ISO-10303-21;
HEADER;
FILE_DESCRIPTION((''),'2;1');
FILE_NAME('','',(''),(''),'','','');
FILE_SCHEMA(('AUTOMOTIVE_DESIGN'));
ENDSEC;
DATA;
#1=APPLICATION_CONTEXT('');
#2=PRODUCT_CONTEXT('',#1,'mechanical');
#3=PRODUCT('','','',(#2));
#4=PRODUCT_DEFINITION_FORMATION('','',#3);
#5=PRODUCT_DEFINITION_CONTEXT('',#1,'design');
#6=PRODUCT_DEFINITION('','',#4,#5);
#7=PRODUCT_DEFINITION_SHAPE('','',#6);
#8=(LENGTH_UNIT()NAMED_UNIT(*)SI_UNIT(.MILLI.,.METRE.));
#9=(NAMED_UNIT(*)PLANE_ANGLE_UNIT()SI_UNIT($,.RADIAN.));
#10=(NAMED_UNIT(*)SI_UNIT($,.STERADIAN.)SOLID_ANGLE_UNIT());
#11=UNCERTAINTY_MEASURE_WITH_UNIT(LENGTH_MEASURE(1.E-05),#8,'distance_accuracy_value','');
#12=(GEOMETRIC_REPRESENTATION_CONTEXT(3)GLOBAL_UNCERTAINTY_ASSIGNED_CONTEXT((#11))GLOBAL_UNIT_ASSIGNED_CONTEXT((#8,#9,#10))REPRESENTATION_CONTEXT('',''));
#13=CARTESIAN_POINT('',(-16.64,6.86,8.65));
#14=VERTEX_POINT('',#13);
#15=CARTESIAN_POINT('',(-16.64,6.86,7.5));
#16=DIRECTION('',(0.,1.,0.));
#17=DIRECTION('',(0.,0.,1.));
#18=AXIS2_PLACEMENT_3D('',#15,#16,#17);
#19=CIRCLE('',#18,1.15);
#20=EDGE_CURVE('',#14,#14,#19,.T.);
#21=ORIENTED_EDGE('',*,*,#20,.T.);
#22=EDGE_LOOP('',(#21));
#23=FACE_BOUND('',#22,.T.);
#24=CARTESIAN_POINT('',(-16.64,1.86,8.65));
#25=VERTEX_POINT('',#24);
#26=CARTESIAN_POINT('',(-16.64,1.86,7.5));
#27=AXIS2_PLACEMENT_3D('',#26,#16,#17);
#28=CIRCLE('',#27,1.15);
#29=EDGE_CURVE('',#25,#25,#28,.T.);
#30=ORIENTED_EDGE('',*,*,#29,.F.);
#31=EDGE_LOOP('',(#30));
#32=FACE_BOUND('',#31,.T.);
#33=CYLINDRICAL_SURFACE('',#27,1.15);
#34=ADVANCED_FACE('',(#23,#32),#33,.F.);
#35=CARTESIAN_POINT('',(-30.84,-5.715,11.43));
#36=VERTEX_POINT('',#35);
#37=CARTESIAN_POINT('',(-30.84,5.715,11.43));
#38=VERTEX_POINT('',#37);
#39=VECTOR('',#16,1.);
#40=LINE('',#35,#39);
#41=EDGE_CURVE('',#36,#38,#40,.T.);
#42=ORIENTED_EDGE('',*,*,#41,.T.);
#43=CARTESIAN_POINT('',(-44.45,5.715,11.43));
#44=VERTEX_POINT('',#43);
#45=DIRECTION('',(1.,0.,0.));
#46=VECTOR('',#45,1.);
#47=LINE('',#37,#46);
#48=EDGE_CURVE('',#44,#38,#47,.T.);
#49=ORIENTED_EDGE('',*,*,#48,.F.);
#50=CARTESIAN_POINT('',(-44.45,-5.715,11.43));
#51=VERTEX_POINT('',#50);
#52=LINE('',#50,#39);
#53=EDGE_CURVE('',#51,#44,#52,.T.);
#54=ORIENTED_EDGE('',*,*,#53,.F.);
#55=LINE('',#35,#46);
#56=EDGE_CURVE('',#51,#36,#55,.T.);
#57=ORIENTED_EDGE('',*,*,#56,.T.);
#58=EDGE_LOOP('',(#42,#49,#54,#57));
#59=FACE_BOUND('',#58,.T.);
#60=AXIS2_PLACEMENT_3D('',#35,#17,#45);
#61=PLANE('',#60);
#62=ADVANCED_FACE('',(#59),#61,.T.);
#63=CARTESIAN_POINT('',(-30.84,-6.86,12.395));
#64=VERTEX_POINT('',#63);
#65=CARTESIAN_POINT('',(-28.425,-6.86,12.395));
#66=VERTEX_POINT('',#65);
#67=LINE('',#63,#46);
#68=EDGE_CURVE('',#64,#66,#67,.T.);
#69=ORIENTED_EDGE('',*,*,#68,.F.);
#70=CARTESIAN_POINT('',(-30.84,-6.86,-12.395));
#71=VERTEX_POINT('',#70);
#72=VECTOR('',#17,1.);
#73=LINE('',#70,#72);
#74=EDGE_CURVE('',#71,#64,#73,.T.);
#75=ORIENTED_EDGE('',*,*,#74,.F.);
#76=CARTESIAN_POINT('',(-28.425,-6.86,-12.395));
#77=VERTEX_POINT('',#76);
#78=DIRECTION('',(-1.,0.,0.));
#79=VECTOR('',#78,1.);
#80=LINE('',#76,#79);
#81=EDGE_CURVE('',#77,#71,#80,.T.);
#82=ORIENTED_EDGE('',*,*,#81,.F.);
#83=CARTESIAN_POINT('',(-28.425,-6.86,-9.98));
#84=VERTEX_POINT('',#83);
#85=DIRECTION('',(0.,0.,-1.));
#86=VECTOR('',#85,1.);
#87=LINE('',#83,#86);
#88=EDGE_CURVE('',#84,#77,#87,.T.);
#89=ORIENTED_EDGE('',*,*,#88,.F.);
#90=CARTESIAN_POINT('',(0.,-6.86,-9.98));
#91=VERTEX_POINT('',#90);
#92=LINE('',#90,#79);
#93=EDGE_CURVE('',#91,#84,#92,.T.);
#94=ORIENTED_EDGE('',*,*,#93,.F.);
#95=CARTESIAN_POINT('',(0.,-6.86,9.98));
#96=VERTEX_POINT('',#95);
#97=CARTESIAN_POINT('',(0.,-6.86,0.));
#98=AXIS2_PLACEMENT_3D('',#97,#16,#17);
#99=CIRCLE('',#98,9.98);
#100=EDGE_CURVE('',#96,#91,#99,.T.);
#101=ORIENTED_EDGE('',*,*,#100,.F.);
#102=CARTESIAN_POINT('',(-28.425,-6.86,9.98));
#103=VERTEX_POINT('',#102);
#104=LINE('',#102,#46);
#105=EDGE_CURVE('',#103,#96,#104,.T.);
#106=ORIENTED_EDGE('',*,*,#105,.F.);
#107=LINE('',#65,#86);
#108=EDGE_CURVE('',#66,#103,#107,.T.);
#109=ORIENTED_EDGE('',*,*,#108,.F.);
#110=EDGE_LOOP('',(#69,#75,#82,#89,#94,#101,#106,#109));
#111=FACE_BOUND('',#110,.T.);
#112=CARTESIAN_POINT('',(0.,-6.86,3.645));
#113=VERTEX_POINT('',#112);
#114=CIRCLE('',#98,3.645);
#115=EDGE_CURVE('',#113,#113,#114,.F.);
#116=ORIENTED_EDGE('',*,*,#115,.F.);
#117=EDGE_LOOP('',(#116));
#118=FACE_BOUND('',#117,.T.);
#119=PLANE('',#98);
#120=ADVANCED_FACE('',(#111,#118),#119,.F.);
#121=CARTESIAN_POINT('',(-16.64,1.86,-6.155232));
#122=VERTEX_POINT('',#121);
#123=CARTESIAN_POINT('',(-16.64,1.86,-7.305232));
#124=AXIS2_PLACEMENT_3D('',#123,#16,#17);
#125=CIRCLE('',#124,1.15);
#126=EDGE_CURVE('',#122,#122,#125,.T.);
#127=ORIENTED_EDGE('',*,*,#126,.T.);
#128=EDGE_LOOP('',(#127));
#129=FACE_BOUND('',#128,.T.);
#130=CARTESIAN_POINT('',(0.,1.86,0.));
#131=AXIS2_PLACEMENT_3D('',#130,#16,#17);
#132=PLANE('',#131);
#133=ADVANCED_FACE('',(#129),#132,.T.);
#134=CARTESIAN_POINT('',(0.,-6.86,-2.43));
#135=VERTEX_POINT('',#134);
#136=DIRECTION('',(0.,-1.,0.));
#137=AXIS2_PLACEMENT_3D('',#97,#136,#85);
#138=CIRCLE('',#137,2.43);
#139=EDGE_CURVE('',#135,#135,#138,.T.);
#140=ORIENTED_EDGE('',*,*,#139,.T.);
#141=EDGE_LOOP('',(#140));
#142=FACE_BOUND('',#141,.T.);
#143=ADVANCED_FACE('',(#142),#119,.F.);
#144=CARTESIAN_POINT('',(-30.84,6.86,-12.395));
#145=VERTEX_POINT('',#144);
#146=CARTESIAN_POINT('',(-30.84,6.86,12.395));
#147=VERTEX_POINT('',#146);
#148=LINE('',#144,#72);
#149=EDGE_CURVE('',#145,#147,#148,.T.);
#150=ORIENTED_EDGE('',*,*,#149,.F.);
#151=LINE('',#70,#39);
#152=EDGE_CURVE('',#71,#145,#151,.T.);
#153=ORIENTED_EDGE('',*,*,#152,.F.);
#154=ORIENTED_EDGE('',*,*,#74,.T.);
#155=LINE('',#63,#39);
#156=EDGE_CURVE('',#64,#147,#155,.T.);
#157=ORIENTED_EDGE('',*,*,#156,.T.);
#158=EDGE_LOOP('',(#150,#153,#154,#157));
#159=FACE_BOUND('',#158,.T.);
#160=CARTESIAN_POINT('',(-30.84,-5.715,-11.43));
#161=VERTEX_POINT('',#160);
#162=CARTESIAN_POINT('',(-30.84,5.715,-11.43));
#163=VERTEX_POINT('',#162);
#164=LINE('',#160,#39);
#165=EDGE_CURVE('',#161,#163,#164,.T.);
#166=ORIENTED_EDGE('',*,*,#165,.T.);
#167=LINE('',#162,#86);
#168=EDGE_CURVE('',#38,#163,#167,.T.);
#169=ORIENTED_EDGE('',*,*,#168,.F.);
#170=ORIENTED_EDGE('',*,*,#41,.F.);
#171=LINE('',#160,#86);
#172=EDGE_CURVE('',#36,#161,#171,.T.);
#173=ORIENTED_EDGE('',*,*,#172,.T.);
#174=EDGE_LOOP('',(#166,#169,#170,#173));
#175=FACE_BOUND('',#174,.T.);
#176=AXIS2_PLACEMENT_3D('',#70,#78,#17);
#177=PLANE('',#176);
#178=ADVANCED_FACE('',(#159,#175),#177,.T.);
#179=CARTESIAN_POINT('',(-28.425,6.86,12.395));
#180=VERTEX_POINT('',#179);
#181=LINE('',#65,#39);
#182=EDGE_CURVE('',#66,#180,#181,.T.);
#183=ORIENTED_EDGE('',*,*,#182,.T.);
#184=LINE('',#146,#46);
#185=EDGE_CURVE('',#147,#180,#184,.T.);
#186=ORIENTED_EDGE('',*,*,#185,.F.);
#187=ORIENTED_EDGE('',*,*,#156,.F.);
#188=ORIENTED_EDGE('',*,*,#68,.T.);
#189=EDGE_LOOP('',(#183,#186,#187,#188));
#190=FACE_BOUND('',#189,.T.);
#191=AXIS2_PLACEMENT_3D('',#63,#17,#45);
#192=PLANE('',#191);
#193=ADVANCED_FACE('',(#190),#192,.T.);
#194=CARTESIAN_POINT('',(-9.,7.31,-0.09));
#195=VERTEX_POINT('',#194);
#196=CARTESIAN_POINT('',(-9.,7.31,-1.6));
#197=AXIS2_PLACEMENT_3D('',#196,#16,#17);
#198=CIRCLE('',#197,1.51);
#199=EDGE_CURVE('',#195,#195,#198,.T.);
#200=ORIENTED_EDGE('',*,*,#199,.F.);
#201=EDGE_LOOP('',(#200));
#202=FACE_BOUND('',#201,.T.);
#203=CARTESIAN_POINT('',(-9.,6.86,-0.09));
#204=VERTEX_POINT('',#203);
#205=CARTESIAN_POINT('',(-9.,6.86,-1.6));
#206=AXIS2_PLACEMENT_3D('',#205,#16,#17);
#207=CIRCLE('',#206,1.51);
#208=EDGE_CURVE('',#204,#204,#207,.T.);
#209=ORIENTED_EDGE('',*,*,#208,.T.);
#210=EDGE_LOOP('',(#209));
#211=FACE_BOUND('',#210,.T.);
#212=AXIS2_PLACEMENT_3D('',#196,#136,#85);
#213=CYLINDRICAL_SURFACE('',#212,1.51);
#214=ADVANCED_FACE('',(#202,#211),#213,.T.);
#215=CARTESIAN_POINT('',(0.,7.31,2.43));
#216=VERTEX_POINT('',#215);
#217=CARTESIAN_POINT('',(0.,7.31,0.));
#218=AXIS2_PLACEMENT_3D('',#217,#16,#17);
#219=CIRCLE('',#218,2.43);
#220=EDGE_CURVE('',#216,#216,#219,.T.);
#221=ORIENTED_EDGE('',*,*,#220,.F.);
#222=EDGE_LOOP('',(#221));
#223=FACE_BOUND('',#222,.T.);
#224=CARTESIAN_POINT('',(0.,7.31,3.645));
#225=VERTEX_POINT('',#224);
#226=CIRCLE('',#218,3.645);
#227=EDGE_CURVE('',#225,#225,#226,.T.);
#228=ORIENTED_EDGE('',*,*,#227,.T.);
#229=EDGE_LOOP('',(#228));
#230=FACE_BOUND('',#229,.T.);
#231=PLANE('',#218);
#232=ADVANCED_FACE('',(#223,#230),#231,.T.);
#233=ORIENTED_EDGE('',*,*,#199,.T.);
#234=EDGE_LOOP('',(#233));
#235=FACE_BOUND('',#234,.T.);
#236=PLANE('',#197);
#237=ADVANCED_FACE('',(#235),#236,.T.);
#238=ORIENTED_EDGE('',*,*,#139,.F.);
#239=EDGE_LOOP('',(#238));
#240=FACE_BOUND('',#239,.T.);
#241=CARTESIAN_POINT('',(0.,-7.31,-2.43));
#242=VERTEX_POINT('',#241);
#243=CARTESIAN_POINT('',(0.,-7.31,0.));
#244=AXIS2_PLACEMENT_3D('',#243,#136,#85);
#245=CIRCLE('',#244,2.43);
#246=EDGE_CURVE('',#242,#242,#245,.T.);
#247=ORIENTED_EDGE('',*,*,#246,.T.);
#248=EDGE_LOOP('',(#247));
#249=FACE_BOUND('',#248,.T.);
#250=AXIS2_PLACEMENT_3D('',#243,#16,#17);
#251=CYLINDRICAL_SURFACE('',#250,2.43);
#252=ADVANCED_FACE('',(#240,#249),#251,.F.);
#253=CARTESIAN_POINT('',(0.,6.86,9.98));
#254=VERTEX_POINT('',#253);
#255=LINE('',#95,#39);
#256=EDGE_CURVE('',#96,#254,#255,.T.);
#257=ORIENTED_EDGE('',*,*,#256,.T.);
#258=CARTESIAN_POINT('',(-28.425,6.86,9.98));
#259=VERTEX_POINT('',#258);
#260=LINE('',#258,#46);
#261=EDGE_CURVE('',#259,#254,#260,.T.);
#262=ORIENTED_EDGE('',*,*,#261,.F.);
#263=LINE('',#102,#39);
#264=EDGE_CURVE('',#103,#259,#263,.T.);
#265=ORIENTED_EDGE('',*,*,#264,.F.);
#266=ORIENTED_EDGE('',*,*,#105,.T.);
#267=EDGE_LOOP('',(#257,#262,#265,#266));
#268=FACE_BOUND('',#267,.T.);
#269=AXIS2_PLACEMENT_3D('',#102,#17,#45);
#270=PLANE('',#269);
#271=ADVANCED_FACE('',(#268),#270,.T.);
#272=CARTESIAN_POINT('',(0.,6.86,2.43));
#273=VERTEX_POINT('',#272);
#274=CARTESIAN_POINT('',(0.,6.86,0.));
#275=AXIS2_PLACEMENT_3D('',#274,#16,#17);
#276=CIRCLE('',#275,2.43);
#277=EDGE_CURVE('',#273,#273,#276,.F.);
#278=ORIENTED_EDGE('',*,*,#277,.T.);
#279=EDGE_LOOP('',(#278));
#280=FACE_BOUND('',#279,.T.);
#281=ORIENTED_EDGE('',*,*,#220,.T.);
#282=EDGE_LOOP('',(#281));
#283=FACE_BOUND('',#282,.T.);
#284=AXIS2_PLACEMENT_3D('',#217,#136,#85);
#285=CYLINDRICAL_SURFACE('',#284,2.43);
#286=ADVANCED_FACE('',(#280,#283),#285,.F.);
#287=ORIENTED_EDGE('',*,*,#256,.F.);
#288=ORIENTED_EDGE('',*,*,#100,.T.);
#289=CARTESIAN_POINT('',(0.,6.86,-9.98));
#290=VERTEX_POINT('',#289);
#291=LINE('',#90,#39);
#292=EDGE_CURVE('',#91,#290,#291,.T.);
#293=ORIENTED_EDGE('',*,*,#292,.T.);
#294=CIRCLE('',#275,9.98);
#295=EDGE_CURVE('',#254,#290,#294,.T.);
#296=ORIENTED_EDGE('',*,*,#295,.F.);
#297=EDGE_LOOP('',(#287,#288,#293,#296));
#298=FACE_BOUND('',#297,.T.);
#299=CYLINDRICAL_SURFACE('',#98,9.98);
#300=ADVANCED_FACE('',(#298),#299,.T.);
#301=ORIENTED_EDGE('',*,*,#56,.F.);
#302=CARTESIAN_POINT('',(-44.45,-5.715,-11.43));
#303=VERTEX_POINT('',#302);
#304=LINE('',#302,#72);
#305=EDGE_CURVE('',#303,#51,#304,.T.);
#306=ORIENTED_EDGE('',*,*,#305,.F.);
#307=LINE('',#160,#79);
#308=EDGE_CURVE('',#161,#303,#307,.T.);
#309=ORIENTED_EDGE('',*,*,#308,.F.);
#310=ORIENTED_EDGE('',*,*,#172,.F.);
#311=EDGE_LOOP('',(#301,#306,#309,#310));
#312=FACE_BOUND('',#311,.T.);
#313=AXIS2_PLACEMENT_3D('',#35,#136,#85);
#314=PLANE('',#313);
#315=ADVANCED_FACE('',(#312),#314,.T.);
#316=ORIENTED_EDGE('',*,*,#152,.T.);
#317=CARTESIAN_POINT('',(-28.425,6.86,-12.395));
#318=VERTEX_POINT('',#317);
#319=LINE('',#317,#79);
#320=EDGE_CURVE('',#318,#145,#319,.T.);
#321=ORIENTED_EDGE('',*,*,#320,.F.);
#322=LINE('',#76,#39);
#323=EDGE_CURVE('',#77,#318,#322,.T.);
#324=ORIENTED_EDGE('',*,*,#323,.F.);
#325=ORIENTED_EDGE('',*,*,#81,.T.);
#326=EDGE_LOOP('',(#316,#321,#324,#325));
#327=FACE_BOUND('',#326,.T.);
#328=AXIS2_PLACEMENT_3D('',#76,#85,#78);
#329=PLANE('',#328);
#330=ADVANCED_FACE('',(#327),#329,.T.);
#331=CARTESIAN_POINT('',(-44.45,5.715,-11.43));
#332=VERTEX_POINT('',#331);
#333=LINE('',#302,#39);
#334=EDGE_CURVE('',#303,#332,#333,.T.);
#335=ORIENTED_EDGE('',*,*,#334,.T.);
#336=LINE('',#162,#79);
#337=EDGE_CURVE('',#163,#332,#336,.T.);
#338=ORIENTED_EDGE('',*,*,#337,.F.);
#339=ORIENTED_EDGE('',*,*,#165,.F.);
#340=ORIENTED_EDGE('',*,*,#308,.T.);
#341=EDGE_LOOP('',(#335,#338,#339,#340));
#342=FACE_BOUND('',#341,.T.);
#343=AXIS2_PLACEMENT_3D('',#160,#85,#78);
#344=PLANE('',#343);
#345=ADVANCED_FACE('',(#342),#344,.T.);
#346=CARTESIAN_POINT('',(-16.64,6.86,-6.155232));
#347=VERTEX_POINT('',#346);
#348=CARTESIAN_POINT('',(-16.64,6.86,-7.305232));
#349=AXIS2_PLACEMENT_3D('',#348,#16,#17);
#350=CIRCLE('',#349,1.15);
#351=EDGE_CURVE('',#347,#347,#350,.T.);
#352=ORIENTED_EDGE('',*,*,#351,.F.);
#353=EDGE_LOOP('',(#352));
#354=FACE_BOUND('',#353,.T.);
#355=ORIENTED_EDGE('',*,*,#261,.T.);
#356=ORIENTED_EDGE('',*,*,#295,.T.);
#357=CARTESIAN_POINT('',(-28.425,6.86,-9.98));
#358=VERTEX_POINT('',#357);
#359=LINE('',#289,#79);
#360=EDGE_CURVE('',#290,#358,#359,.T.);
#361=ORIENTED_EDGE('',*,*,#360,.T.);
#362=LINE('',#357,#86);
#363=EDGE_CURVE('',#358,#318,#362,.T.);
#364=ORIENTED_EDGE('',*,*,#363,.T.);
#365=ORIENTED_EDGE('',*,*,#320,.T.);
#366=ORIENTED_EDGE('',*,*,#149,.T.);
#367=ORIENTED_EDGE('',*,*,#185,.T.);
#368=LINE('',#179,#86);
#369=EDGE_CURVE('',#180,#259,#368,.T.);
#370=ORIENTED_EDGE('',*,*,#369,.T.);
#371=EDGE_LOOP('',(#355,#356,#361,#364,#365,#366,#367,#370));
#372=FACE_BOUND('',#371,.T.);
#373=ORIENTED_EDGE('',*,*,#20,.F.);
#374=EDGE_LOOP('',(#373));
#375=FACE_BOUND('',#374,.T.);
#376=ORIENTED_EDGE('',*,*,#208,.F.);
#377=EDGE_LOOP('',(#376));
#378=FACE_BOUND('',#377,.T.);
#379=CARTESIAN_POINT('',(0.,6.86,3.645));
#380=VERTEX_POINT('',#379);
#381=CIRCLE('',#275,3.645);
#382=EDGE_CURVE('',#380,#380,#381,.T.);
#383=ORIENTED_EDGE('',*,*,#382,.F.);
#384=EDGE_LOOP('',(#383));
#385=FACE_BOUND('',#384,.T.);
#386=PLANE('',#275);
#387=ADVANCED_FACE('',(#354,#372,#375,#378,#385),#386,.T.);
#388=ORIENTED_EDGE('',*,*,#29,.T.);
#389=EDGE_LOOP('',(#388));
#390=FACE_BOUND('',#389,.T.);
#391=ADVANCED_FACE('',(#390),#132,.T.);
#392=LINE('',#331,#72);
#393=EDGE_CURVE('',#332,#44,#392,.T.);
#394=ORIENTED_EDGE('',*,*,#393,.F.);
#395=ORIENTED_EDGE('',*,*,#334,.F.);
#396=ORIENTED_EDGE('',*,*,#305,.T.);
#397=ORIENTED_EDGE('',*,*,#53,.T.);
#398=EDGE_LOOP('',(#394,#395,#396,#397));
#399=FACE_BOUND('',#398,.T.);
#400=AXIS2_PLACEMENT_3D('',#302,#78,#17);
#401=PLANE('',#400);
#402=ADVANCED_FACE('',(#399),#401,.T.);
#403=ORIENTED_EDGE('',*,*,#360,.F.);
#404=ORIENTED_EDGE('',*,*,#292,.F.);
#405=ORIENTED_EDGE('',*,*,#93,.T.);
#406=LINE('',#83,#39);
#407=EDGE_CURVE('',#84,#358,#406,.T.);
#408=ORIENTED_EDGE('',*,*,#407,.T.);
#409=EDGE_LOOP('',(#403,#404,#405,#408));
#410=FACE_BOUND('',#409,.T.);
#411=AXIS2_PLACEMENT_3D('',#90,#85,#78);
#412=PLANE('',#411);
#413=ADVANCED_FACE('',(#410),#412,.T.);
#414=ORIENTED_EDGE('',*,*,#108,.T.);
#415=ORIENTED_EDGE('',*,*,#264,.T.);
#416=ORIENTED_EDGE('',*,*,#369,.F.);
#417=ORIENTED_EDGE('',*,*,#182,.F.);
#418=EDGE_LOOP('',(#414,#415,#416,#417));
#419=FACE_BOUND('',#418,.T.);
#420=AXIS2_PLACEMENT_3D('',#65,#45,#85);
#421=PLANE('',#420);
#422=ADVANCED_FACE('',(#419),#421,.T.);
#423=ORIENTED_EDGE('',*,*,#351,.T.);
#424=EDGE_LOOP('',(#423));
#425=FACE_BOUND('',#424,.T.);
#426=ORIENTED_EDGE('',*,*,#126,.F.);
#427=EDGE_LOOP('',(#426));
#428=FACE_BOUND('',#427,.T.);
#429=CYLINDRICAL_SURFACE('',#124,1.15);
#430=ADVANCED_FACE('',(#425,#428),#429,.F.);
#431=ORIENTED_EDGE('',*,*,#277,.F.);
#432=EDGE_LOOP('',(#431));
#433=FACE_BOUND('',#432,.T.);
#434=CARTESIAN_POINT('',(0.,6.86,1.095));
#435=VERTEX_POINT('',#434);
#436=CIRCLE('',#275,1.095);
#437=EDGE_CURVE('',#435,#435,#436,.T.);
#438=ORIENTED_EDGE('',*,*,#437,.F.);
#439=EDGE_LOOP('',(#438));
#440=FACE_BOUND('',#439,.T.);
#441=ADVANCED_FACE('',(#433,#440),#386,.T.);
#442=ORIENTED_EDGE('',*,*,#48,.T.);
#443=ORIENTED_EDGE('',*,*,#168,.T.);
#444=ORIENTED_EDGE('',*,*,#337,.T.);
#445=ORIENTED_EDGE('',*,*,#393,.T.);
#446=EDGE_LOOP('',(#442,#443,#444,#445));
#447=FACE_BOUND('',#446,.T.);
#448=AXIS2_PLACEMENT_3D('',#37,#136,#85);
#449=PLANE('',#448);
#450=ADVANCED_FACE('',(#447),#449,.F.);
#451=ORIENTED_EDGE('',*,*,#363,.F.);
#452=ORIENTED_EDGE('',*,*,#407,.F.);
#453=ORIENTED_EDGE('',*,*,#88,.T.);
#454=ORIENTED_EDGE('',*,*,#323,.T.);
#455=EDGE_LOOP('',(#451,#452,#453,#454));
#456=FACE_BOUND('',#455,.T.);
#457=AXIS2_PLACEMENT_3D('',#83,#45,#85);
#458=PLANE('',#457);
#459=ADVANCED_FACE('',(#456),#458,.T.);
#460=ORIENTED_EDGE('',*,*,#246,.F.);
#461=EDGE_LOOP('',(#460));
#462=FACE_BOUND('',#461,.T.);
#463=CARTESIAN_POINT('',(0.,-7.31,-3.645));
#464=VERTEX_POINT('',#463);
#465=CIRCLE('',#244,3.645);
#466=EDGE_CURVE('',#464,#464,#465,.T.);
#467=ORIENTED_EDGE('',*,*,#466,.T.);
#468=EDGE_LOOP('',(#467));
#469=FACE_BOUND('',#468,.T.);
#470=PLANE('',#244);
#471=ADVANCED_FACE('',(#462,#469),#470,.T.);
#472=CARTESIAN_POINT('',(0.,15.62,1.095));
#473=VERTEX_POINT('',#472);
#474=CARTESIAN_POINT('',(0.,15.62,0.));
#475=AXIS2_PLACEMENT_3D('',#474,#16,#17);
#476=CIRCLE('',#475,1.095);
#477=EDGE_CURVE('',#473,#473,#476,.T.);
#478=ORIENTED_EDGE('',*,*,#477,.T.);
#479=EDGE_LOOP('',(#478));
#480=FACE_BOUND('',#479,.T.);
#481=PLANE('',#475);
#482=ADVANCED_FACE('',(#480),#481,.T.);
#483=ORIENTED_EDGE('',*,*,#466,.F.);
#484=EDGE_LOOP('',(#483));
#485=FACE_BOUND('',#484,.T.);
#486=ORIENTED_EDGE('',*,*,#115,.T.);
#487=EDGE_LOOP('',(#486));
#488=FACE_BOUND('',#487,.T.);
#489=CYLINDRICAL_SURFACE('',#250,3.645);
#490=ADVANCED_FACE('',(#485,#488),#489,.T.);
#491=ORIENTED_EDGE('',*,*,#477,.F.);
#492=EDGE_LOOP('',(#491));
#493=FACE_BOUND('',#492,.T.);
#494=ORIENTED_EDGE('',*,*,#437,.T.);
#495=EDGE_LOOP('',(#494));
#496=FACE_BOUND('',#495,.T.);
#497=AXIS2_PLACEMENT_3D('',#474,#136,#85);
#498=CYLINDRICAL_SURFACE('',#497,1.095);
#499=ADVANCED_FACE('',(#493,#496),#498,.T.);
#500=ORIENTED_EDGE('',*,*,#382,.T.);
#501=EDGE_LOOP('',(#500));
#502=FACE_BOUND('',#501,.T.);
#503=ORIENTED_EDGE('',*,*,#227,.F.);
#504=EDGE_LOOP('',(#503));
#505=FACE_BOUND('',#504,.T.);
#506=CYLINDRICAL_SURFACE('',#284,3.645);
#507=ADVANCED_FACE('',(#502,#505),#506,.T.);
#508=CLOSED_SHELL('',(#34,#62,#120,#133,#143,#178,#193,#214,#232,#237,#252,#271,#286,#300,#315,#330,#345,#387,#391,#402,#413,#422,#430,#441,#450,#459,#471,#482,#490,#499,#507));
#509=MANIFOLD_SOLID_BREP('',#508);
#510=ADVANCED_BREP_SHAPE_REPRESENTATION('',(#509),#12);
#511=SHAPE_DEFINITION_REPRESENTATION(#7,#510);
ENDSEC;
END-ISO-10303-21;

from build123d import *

# Parameters (mm, degrees)
GEAR_BOX_DEPTH      = 6.86
GEAR_BOX_DEPTH_BACK = 6.86
MOTOR_DEPTH         = 5.715
MOTOR_DEPTH_BACK    = 5.715
SKETCH2_W           = 13.61
SKETCH2_H           = 22.86
SKETCH3_R           = 1.51
SKETCH3_R_2         = 3.645
SKETCH3_R_3         = 2.43
SPACER_DEPTH        = 0.45
SPACER_BACK_START   = 0.45
SKETCH5_R           = 3.645
SKETCH5_R_2         = 2.43
SPACER_BACK_DEPTH   = 0.45
SKETCH4_R           = 1.095
OUTPUT_SHAFT_DEPTH  = 8.76
SKETCH7_R           = 1.15
CUT_EXTRUDE1_DEPTH  = 5


with BuildPart() as part:
    # Sketch1 → Gear Box (new, two sides: drawn at the far end of the back side and taken through both)
    with BuildSketch(Plane(origin=(0, 0, 0), x_dir=(1, 0, 0), z_dir=(0, 1, 0)).offset(-GEAR_BOX_DEPTH_BACK)):
        with BuildLine():
            Line((0, 9.98), (-28.425, 9.98))
            Line((-28.425, 9.98), (-28.425, 12.395))
            Line((-28.425, 12.395), (-30.84, 12.395))
            Line((-30.84, 12.395), (-30.84, -12.395))
            Line((-30.84, -12.395), (-28.425, -12.395))
            Line((-28.425, -12.395), (-28.425, -9.98))
            Line((-28.425, -9.98), (0, -9.98))
            ThreePointArc((0, -9.98), (9.98, 0), (0, 9.98))
        make_face()
    extrude(amount=GEAR_BOX_DEPTH + GEAR_BOX_DEPTH_BACK)

    # Sketch2 → Motor (add, two sides: drawn at the far end of the back side and taken through both)
    with BuildSketch(Plane(origin=(0, 0, 0), x_dir=(1, 0, 0), z_dir=(0, 1, 0)).offset(-MOTOR_DEPTH_BACK)):
        with Locations((-37.645, 0)):
            Rectangle(SKETCH2_W, SKETCH2_H)
    extrude(amount=MOTOR_DEPTH + MOTOR_DEPTH_BACK)

    # Sketch3 → Spacer (add)
    # profile 1 of 2: a face of its own
    with BuildSketch(Plane(origin=(0, 6.86, 0), x_dir=(1, 0, 0), z_dir=(0, 1, 0))):
        with Locations(Location((-9, 1.6, 0), (0, 0, 270))):
            Circle(SKETCH3_R)
    # profile 2 of 2: a face of its own
    with BuildSketch(Plane(origin=(0, 6.86, 0), x_dir=(1, 0, 0), z_dir=(0, 1, 0))):
        with Locations(Location((0, 0, 0), (0, 0, 270))):
            Circle(SKETCH3_R_2)
        with Locations(Location((0, 0, 0), (0, 0, 270))):
            Circle(SKETCH3_R_3, mode=Mode.SUBTRACT)
    extrude(amount=SPACER_DEPTH)

    # Sketch5 → Spacer(back) (add)
    with BuildSketch(Plane.XZ.offset(6.86).offset(SPACER_BACK_START)):
        with Locations(Location((0, 0, 0), (0, 0, 90))):
            Circle(SKETCH5_R)
        with Locations(Location((0, 0, 0), (0, 0, 90))):
            Circle(SKETCH5_R_2, mode=Mode.SUBTRACT)
    extrude(amount=-SPACER_BACK_DEPTH)

    # Sketch4 → Output Shaft (add)
    with BuildSketch(Plane(origin=(0, 6.86, 0), x_dir=(1, 0, 0), z_dir=(0, 1, 0))):
        with Locations(Location((0, 0, 0), (0, 0, 270))):
            Circle(SKETCH4_R)
    extrude(amount=OUTPUT_SHAFT_DEPTH)

    # Sketch7 → Cut-Extrude1 (cut)
    with BuildSketch(Plane(origin=(0, 6.86, 0), x_dir=(1, 0, 0), z_dir=(0, 1, 0))):
        with Locations(Location((-16.64, 7.30523239, 0), (0, 0, 270))):
            Circle(SKETCH7_R)
        with Locations(Location((-16.64, -7.5, 0), (0, 0, 270))):
            Circle(SKETCH7_R)
    extrude(amount=-CUT_EXTRUDE1_DEPTH, mode=Mode.SUBTRACT)


solid = part.part
